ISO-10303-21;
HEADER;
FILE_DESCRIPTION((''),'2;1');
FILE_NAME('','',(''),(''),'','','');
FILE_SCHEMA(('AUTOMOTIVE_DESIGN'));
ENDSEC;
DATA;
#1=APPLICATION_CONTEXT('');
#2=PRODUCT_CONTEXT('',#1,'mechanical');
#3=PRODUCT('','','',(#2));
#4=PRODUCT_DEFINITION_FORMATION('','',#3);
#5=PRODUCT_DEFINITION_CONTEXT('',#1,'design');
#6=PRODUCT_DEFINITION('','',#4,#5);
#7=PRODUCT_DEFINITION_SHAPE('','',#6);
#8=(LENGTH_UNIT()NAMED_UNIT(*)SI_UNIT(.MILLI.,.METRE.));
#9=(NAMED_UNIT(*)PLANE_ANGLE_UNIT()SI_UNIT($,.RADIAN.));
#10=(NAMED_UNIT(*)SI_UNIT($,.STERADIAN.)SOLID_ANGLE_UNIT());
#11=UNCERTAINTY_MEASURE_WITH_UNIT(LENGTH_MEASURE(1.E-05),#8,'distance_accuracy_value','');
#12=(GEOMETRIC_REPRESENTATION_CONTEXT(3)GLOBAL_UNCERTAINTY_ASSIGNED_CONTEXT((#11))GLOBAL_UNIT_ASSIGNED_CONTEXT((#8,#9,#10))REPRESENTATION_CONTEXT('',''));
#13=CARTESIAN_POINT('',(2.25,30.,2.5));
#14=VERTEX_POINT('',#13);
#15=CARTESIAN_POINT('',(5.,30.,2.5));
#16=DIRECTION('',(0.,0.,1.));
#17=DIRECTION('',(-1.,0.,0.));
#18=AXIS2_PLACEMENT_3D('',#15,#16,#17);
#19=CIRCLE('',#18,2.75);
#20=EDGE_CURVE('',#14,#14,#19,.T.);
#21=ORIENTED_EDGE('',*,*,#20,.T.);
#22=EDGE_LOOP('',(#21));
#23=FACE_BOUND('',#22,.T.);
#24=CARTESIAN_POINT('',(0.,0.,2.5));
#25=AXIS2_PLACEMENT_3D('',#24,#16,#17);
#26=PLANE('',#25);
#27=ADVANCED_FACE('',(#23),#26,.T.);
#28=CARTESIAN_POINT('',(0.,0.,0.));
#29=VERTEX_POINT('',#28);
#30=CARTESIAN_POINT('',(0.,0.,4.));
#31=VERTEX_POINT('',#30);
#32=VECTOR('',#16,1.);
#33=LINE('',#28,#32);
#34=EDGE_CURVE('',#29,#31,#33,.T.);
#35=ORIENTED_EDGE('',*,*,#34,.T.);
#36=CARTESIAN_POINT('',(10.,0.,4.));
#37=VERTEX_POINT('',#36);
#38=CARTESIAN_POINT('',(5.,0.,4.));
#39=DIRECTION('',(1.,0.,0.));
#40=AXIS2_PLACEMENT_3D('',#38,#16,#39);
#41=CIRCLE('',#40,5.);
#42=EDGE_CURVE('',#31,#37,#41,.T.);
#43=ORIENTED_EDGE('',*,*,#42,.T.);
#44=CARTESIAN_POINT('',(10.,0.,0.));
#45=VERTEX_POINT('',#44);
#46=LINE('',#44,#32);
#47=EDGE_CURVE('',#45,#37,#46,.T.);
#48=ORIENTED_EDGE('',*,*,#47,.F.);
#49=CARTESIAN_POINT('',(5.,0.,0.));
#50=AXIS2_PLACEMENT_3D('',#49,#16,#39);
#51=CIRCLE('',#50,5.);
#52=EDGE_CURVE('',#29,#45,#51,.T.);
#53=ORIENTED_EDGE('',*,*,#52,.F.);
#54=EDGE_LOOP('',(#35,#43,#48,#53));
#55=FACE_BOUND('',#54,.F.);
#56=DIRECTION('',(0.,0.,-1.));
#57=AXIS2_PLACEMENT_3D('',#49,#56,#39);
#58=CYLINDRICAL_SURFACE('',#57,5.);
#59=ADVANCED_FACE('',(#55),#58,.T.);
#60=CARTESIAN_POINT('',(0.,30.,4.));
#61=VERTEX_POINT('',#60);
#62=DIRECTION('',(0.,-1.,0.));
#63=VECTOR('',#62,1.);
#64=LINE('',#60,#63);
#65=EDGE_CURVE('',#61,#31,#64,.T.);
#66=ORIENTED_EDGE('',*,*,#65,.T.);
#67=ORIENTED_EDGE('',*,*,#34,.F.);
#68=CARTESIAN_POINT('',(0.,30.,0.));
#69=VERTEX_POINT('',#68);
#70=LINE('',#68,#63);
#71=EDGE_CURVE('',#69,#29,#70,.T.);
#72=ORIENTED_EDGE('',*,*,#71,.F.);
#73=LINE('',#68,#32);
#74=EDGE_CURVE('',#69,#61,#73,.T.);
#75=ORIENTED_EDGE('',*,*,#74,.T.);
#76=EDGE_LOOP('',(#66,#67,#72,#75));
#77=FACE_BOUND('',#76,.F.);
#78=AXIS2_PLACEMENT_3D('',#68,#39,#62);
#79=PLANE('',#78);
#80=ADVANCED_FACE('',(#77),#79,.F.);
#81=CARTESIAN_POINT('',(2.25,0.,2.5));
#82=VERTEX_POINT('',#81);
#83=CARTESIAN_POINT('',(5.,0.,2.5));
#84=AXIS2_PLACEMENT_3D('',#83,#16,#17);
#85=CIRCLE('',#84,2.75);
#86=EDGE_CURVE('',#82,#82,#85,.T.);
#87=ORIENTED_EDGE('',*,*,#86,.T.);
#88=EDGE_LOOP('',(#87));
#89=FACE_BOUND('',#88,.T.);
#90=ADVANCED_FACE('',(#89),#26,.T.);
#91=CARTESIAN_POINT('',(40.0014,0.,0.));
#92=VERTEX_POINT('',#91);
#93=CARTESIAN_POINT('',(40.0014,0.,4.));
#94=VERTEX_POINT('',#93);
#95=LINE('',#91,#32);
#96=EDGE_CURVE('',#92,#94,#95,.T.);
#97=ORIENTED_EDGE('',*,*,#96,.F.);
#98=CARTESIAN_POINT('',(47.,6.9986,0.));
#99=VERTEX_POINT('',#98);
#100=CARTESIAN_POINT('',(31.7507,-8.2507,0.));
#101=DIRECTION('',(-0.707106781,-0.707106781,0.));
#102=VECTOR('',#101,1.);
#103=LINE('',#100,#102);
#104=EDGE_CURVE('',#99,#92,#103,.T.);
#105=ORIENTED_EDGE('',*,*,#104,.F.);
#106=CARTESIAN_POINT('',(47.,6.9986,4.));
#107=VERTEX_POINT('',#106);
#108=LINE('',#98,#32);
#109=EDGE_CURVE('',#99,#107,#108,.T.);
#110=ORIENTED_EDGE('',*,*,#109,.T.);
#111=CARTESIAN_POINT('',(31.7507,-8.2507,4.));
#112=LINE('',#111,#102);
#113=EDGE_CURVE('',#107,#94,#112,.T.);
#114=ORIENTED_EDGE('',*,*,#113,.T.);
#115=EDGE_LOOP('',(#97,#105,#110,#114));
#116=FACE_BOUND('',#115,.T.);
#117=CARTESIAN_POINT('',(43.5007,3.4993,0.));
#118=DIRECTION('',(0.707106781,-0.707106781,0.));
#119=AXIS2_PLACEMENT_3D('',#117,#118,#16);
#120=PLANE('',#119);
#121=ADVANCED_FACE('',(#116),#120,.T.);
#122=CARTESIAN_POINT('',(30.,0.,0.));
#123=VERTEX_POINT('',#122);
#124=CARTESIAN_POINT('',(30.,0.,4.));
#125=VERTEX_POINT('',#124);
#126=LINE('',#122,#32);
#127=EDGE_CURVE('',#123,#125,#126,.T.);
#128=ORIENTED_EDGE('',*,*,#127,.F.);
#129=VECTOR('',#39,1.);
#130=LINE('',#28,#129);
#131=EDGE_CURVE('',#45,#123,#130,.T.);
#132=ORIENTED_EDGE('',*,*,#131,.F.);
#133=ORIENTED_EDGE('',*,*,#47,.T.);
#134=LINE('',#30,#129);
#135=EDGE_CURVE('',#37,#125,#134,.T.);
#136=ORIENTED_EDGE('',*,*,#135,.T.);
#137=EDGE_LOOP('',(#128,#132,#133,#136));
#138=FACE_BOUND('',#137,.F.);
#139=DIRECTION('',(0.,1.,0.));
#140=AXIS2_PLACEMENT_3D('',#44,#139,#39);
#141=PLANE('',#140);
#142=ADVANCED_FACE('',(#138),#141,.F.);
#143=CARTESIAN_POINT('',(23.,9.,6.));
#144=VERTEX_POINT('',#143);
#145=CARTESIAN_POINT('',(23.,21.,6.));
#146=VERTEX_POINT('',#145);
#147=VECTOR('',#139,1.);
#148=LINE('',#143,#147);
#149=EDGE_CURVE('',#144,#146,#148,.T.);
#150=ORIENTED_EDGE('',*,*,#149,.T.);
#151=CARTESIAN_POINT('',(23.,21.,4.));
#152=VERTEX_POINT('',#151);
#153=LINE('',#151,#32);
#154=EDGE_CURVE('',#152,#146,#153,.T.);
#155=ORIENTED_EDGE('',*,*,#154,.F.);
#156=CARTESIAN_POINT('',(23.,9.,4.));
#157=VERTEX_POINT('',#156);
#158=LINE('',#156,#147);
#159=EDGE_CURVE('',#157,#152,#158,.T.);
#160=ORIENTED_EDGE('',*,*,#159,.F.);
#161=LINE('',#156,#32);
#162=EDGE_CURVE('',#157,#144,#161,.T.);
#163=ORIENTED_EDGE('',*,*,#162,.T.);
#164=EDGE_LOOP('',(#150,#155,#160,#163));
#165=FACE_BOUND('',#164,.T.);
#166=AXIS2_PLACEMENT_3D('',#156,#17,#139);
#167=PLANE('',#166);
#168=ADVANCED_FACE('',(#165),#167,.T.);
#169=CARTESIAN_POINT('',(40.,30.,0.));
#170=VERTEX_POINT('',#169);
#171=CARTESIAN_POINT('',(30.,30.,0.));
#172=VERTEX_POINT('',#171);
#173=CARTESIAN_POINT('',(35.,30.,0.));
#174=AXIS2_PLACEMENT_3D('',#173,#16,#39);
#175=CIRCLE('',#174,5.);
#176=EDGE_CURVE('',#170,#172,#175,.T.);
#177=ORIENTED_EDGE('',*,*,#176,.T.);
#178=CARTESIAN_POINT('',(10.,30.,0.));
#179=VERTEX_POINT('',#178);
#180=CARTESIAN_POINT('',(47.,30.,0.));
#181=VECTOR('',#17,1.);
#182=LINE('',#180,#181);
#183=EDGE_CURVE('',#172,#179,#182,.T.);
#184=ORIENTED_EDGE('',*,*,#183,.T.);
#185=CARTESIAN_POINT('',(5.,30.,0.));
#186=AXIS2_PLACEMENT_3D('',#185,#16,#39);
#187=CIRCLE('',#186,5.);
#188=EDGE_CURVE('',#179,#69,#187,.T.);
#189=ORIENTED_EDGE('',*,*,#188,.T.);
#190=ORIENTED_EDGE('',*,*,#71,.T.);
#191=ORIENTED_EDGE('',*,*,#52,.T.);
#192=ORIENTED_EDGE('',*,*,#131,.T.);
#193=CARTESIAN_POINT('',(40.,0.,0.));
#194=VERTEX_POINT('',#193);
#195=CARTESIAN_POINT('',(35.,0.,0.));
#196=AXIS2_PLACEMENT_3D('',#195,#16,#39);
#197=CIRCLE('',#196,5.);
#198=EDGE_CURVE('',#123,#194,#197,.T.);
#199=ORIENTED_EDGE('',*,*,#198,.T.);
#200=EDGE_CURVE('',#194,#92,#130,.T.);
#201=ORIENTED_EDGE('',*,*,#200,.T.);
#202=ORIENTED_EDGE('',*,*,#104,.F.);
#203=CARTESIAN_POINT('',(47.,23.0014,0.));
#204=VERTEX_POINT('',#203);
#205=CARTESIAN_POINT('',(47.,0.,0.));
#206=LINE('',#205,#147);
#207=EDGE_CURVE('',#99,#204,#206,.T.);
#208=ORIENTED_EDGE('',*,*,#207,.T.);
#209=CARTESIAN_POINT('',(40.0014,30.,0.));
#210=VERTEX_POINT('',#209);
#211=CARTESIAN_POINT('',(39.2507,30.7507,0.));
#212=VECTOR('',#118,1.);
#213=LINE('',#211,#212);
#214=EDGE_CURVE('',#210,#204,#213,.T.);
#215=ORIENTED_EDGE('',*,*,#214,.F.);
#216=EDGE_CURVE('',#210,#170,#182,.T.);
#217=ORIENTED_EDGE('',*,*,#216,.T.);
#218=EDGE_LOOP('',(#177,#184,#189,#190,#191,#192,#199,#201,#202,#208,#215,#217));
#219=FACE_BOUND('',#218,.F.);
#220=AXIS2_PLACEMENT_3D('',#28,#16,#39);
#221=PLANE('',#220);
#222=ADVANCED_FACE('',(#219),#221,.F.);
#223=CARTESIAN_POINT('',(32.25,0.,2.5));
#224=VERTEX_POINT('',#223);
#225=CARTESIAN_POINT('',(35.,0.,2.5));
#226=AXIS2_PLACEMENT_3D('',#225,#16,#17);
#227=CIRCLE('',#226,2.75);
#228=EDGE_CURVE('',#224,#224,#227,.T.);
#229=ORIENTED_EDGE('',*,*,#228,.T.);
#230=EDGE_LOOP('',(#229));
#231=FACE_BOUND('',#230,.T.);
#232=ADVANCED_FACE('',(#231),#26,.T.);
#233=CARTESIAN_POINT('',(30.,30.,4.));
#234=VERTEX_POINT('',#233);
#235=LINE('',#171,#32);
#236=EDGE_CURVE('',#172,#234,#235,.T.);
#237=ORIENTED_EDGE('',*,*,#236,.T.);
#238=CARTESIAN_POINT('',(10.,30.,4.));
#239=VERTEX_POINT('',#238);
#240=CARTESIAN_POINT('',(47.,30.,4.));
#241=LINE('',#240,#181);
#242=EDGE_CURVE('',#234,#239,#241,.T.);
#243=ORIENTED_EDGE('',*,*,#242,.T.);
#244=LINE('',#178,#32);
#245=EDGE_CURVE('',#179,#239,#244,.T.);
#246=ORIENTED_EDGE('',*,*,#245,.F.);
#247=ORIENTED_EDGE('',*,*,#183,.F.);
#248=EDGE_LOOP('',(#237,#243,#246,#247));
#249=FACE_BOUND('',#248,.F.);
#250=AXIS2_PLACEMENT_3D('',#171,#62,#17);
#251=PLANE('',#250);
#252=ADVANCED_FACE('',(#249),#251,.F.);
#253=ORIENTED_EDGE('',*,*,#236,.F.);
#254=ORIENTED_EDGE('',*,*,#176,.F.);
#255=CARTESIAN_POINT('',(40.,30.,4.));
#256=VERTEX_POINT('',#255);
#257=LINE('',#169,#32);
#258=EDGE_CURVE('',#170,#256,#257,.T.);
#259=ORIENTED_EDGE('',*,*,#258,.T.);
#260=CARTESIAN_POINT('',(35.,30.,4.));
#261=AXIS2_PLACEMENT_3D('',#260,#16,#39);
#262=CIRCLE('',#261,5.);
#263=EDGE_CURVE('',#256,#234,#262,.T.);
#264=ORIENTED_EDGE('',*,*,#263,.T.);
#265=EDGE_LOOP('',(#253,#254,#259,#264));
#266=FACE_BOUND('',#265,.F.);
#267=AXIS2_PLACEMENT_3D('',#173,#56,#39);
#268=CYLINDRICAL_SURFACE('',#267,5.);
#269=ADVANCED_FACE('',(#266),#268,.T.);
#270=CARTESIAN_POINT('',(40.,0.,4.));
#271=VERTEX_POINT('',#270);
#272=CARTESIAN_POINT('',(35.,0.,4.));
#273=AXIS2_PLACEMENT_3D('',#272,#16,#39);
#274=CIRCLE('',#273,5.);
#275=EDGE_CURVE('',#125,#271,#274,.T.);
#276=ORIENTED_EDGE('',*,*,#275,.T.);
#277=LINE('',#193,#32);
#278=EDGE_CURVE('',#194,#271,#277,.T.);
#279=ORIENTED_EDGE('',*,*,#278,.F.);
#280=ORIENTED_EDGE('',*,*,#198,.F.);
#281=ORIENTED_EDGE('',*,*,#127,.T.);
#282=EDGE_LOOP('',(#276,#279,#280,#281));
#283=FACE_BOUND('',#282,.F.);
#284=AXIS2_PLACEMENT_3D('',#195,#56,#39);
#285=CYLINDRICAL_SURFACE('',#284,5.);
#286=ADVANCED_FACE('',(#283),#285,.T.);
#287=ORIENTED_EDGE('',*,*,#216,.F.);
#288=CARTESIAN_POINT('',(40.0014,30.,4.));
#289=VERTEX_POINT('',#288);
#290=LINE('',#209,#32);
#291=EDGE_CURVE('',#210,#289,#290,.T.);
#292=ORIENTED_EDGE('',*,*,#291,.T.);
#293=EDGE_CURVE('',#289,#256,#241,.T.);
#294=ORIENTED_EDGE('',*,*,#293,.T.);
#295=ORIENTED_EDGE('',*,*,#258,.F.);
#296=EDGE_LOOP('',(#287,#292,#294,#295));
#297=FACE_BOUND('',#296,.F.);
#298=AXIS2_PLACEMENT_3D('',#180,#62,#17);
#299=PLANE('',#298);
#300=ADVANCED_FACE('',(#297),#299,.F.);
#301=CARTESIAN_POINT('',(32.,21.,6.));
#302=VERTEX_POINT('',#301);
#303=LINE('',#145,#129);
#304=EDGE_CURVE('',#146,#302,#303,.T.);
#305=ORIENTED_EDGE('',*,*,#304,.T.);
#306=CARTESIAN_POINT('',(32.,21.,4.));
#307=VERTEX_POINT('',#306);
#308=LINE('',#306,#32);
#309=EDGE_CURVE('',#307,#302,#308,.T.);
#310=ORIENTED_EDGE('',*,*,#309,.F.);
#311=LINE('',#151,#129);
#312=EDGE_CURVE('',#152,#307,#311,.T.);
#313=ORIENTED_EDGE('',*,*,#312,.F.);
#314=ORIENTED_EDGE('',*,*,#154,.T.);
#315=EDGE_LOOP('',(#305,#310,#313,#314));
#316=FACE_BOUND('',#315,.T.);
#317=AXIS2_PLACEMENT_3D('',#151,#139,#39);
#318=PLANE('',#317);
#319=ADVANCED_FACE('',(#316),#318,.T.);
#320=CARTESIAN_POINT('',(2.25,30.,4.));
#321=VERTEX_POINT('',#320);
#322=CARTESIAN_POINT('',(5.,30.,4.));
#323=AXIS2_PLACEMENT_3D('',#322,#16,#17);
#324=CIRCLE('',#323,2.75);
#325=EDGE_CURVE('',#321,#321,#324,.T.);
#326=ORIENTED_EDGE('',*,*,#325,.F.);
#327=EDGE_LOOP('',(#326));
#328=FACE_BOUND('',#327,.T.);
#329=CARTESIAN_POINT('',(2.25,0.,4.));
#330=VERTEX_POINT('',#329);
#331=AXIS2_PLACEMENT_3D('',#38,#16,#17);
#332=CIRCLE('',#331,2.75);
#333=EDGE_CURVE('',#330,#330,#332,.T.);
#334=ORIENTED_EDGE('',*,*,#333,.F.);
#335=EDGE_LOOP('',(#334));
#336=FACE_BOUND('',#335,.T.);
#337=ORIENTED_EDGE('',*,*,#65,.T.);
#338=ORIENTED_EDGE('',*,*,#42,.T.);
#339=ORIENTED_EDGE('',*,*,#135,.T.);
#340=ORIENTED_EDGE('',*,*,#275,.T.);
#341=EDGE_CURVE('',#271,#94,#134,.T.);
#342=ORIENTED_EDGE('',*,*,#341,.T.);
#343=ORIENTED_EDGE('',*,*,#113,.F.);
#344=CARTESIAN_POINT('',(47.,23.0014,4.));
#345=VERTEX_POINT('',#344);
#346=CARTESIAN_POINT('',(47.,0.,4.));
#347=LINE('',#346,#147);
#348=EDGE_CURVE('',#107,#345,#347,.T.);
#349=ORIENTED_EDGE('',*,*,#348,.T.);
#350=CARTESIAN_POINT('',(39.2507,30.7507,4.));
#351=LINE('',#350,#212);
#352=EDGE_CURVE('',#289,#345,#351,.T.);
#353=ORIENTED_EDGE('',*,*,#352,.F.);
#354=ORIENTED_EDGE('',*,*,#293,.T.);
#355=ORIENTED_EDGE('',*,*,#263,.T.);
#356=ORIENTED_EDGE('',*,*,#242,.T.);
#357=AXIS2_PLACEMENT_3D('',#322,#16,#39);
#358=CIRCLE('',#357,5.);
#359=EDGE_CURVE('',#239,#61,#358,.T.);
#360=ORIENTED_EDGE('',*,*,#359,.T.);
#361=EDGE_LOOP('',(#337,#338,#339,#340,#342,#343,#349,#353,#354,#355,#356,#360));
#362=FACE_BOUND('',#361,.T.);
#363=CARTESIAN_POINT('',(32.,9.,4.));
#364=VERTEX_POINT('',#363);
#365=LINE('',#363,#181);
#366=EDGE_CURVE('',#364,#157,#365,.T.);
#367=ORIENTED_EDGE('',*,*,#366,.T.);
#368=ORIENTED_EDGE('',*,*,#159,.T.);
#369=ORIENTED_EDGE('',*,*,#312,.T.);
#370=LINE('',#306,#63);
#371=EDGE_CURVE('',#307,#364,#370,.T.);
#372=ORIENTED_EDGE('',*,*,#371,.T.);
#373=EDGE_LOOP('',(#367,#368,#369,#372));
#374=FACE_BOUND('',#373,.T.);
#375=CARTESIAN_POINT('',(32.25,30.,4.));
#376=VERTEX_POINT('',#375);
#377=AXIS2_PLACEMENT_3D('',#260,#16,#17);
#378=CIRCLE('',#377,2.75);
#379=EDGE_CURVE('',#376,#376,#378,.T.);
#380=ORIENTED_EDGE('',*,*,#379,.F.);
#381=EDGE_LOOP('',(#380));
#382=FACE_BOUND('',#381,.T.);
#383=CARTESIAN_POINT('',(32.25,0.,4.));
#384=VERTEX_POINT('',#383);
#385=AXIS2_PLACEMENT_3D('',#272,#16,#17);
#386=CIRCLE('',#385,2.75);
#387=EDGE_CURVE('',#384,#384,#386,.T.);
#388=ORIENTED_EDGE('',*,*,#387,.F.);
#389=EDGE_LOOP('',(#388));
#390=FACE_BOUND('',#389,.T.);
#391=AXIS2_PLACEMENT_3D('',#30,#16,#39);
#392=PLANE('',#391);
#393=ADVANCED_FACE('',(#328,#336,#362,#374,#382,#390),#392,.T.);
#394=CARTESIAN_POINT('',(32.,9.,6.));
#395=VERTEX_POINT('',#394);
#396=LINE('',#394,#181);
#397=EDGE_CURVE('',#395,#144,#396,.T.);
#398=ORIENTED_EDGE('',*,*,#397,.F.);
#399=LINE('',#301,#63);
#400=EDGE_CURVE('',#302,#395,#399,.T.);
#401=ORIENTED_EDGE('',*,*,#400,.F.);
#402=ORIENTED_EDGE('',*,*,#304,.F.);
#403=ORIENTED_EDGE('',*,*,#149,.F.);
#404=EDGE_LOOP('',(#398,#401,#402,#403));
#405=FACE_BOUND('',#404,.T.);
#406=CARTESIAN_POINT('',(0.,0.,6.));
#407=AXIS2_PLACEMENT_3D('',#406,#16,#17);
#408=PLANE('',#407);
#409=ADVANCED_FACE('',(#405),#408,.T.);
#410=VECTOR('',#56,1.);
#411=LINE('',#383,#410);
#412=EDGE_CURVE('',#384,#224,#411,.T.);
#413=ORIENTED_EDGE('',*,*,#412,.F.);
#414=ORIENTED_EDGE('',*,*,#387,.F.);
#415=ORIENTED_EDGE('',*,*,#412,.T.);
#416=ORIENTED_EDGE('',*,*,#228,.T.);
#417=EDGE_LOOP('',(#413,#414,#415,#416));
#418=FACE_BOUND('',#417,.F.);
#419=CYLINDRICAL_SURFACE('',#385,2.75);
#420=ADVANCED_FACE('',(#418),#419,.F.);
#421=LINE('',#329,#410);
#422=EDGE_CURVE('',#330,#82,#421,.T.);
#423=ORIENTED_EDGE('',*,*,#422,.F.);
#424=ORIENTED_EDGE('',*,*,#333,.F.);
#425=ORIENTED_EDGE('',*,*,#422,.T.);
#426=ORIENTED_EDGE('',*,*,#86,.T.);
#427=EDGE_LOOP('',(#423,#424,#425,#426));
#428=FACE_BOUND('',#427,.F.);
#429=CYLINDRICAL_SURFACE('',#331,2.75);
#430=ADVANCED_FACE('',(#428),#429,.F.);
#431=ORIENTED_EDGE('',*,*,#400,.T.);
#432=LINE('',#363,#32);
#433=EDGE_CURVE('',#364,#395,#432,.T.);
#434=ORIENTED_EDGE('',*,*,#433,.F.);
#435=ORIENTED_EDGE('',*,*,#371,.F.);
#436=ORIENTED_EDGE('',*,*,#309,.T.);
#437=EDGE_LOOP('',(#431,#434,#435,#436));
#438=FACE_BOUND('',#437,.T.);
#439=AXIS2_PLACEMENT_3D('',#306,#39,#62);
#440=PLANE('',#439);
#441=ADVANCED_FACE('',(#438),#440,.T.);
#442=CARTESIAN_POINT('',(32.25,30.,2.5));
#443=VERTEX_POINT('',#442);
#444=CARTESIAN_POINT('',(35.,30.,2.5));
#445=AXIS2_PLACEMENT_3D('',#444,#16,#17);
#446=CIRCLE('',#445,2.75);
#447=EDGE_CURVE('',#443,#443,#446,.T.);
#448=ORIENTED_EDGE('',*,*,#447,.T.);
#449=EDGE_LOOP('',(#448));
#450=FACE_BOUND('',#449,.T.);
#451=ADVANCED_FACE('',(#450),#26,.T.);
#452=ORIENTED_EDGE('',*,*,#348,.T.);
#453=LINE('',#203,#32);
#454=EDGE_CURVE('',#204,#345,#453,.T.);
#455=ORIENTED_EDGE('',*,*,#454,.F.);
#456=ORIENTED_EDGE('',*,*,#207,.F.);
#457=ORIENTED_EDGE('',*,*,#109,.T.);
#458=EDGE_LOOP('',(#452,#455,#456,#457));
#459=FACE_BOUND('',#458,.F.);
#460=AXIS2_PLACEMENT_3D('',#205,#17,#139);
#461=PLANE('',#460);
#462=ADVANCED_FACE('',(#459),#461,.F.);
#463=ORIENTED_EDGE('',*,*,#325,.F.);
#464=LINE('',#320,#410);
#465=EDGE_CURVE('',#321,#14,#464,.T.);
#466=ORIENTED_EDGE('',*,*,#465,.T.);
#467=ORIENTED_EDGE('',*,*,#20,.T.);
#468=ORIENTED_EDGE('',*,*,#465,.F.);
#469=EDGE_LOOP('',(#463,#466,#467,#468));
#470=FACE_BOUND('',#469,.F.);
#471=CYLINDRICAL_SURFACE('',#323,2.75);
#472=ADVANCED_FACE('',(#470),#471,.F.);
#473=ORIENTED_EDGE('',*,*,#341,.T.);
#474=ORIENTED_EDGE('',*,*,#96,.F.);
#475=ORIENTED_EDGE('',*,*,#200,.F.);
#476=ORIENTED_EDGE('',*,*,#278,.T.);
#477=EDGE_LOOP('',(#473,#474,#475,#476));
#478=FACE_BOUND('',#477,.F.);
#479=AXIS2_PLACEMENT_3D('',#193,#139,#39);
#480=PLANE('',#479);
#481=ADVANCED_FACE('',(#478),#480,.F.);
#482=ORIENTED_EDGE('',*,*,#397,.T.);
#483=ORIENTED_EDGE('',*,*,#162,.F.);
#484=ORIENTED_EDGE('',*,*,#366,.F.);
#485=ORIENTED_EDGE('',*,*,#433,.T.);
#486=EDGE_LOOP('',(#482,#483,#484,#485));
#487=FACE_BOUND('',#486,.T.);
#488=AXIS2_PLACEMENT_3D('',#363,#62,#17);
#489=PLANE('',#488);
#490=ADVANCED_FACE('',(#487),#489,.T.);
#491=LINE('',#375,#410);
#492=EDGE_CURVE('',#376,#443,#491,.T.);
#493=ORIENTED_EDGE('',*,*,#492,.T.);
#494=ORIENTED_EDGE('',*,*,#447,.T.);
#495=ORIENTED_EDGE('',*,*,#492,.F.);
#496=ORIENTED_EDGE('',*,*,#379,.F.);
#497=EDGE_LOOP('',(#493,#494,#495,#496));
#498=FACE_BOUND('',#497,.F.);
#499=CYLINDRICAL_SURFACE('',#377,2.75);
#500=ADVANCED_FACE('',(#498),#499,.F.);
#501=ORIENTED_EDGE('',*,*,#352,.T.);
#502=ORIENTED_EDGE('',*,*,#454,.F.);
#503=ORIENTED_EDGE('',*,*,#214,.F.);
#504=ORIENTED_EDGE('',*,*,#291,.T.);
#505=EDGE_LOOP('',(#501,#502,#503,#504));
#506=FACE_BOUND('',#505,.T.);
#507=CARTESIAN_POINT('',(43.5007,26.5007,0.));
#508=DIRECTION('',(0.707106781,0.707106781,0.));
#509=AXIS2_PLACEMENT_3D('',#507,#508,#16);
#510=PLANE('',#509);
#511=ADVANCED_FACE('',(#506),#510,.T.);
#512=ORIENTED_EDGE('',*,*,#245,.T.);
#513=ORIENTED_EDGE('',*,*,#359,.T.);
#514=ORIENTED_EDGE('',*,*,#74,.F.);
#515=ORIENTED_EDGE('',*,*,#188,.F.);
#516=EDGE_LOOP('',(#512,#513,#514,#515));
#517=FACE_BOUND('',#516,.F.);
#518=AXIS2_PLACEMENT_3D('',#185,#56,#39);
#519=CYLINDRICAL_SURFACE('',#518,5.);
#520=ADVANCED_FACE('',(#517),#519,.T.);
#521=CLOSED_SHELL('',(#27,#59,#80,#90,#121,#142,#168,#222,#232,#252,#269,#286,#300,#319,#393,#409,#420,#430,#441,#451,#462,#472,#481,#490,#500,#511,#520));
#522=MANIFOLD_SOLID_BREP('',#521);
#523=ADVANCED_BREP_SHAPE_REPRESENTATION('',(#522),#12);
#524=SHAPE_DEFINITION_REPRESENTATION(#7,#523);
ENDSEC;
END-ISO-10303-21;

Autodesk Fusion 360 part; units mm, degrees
sketch "Colour Sensor Cover" plane through (0, 0, 0) normal (0, 0, 1) x (1, 0, 0)
  line L0 (0, 0) -> (47, 0)
  line L1 (47, 0) -> (47, 30)
  line L2 (47, 30) -> (0, 30)
  line L3 (0, 30) -> (0, 0)
  circle A0 centre (5, 30) radius 5
  circle A1 centre (35, 30) radius 5
  circle A2 centre (5, 0) radius 5
  circle A3 centre (35, 0) radius 5
  dimension "d1" = 47
  dimension "d2" = 30
  dimension "d3" = 10
  dimension "d4" = 10
  dimension "d5" = 10
  dimension "d6" = 10
  dimension "d7" = 5
  dimension "d8" = 5
  dimension "d9" = 12
  dimension "d10" = 12
extrude "Extrude1" add sketch "Colour Sensor Cover" along normal blind 4
chamfer "Chamfer1" distance 7 angle 45 2 edges at (47, 0, 2) (47, 30, 2)
sketch "Magnet Holes" plane through (0, 0, 4) normal (0, 0, 1) x (-1, 0, 0)
  line L0 (-47, -23) -> (-40, -30)
  arc A0 (-40, -30) -> (-30, -30) centre (-35, -30) ccw
  line L1 (-30, -30) -> (-10, -30)
  arc A1 (-10, -30) -> (0, -30) centre (-5, -30) ccw
  line L2 (0, -30) -> (0, 0)
  arc A2 (0, 0) -> (-10, 0) centre (-5, 0) ccw
  line L3 (-10, 0) -> (-30, 0)
  arc A3 (-30, 0) -> (-40, 0) centre (-35, 0) ccw
  line L4 (-40, 0) -> (-47, -7)
  line L5 (-47, -7) -> (-47, -23)
  circle A4 centre (-5, -30) radius 2.75
  circle A5 centre (-35, -30) radius 2.75
  circle A6 centre (-5, 0) radius 2.75
  circle A7 centre (-35, 0) radius 2.75
  dimension "d14" = 5.5
  dimension "d15" = 5.5
  dimension "d16" = 5.5
  dimension "d17" = 5.5
extrude "Extrude2" cut sketch "Magnet Holes" against normal blind 1.5 contours A4 | A5 | A6 | A7
sketch "Colour Sensor Support" plane through (0, 0, 4) normal (0, 0, 1) x (-1, 0, 0)
  circle A0 centre (-5, -30) radius 2.75
  circle A1 centre (-35, -30) radius 2.75
  circle A2 centre (-5, 0) radius 2.75
  circle A3 centre (-35, 0) radius 2.75
  line L0 (-47, -23) -> (-40, -30)
  arc A4 (-40, -30) -> (-30, -30) centre (-35, -30) ccw
  line L1 (-30, -30) -> (-10, -30)
  arc A5 (-10, -30) -> (0, -30) centre (-5, -30) ccw
  line L2 (0, -30) -> (0, 0)
  arc A6 (0, 0) -> (-10, 0) centre (-5, 0) ccw
  line L3 (-10, 0) -> (-30, 0)
  arc A7 (-30, 0) -> (-40, 0) centre (-35, 0) ccw
  line L4 (-40, 0) -> (-47, -7)
  line L5 (-47, -7) -> (-47, -23)
  line L6 (-23, -21) -> (-32, -21)
  line L7 (-32, -21) -> (-32, -9)
  line L8 (-32, -9) -> (-23, -9)
  line L9 (-23, -9) -> (-23, -21)
  dimension "d20" = 9
  dimension "d21" = 9
  dimension "d22" = 15
  dimension "d23" = 9
  dimension "d24" = 12
extrude "Extrude3" add sketch "Colour Sensor Support" along normal blind 2 contours L6 L7 L8 L9
equation "d9 = 7 mm + 5 mm"
equation "d10 = 7 mm + 5 mm"
